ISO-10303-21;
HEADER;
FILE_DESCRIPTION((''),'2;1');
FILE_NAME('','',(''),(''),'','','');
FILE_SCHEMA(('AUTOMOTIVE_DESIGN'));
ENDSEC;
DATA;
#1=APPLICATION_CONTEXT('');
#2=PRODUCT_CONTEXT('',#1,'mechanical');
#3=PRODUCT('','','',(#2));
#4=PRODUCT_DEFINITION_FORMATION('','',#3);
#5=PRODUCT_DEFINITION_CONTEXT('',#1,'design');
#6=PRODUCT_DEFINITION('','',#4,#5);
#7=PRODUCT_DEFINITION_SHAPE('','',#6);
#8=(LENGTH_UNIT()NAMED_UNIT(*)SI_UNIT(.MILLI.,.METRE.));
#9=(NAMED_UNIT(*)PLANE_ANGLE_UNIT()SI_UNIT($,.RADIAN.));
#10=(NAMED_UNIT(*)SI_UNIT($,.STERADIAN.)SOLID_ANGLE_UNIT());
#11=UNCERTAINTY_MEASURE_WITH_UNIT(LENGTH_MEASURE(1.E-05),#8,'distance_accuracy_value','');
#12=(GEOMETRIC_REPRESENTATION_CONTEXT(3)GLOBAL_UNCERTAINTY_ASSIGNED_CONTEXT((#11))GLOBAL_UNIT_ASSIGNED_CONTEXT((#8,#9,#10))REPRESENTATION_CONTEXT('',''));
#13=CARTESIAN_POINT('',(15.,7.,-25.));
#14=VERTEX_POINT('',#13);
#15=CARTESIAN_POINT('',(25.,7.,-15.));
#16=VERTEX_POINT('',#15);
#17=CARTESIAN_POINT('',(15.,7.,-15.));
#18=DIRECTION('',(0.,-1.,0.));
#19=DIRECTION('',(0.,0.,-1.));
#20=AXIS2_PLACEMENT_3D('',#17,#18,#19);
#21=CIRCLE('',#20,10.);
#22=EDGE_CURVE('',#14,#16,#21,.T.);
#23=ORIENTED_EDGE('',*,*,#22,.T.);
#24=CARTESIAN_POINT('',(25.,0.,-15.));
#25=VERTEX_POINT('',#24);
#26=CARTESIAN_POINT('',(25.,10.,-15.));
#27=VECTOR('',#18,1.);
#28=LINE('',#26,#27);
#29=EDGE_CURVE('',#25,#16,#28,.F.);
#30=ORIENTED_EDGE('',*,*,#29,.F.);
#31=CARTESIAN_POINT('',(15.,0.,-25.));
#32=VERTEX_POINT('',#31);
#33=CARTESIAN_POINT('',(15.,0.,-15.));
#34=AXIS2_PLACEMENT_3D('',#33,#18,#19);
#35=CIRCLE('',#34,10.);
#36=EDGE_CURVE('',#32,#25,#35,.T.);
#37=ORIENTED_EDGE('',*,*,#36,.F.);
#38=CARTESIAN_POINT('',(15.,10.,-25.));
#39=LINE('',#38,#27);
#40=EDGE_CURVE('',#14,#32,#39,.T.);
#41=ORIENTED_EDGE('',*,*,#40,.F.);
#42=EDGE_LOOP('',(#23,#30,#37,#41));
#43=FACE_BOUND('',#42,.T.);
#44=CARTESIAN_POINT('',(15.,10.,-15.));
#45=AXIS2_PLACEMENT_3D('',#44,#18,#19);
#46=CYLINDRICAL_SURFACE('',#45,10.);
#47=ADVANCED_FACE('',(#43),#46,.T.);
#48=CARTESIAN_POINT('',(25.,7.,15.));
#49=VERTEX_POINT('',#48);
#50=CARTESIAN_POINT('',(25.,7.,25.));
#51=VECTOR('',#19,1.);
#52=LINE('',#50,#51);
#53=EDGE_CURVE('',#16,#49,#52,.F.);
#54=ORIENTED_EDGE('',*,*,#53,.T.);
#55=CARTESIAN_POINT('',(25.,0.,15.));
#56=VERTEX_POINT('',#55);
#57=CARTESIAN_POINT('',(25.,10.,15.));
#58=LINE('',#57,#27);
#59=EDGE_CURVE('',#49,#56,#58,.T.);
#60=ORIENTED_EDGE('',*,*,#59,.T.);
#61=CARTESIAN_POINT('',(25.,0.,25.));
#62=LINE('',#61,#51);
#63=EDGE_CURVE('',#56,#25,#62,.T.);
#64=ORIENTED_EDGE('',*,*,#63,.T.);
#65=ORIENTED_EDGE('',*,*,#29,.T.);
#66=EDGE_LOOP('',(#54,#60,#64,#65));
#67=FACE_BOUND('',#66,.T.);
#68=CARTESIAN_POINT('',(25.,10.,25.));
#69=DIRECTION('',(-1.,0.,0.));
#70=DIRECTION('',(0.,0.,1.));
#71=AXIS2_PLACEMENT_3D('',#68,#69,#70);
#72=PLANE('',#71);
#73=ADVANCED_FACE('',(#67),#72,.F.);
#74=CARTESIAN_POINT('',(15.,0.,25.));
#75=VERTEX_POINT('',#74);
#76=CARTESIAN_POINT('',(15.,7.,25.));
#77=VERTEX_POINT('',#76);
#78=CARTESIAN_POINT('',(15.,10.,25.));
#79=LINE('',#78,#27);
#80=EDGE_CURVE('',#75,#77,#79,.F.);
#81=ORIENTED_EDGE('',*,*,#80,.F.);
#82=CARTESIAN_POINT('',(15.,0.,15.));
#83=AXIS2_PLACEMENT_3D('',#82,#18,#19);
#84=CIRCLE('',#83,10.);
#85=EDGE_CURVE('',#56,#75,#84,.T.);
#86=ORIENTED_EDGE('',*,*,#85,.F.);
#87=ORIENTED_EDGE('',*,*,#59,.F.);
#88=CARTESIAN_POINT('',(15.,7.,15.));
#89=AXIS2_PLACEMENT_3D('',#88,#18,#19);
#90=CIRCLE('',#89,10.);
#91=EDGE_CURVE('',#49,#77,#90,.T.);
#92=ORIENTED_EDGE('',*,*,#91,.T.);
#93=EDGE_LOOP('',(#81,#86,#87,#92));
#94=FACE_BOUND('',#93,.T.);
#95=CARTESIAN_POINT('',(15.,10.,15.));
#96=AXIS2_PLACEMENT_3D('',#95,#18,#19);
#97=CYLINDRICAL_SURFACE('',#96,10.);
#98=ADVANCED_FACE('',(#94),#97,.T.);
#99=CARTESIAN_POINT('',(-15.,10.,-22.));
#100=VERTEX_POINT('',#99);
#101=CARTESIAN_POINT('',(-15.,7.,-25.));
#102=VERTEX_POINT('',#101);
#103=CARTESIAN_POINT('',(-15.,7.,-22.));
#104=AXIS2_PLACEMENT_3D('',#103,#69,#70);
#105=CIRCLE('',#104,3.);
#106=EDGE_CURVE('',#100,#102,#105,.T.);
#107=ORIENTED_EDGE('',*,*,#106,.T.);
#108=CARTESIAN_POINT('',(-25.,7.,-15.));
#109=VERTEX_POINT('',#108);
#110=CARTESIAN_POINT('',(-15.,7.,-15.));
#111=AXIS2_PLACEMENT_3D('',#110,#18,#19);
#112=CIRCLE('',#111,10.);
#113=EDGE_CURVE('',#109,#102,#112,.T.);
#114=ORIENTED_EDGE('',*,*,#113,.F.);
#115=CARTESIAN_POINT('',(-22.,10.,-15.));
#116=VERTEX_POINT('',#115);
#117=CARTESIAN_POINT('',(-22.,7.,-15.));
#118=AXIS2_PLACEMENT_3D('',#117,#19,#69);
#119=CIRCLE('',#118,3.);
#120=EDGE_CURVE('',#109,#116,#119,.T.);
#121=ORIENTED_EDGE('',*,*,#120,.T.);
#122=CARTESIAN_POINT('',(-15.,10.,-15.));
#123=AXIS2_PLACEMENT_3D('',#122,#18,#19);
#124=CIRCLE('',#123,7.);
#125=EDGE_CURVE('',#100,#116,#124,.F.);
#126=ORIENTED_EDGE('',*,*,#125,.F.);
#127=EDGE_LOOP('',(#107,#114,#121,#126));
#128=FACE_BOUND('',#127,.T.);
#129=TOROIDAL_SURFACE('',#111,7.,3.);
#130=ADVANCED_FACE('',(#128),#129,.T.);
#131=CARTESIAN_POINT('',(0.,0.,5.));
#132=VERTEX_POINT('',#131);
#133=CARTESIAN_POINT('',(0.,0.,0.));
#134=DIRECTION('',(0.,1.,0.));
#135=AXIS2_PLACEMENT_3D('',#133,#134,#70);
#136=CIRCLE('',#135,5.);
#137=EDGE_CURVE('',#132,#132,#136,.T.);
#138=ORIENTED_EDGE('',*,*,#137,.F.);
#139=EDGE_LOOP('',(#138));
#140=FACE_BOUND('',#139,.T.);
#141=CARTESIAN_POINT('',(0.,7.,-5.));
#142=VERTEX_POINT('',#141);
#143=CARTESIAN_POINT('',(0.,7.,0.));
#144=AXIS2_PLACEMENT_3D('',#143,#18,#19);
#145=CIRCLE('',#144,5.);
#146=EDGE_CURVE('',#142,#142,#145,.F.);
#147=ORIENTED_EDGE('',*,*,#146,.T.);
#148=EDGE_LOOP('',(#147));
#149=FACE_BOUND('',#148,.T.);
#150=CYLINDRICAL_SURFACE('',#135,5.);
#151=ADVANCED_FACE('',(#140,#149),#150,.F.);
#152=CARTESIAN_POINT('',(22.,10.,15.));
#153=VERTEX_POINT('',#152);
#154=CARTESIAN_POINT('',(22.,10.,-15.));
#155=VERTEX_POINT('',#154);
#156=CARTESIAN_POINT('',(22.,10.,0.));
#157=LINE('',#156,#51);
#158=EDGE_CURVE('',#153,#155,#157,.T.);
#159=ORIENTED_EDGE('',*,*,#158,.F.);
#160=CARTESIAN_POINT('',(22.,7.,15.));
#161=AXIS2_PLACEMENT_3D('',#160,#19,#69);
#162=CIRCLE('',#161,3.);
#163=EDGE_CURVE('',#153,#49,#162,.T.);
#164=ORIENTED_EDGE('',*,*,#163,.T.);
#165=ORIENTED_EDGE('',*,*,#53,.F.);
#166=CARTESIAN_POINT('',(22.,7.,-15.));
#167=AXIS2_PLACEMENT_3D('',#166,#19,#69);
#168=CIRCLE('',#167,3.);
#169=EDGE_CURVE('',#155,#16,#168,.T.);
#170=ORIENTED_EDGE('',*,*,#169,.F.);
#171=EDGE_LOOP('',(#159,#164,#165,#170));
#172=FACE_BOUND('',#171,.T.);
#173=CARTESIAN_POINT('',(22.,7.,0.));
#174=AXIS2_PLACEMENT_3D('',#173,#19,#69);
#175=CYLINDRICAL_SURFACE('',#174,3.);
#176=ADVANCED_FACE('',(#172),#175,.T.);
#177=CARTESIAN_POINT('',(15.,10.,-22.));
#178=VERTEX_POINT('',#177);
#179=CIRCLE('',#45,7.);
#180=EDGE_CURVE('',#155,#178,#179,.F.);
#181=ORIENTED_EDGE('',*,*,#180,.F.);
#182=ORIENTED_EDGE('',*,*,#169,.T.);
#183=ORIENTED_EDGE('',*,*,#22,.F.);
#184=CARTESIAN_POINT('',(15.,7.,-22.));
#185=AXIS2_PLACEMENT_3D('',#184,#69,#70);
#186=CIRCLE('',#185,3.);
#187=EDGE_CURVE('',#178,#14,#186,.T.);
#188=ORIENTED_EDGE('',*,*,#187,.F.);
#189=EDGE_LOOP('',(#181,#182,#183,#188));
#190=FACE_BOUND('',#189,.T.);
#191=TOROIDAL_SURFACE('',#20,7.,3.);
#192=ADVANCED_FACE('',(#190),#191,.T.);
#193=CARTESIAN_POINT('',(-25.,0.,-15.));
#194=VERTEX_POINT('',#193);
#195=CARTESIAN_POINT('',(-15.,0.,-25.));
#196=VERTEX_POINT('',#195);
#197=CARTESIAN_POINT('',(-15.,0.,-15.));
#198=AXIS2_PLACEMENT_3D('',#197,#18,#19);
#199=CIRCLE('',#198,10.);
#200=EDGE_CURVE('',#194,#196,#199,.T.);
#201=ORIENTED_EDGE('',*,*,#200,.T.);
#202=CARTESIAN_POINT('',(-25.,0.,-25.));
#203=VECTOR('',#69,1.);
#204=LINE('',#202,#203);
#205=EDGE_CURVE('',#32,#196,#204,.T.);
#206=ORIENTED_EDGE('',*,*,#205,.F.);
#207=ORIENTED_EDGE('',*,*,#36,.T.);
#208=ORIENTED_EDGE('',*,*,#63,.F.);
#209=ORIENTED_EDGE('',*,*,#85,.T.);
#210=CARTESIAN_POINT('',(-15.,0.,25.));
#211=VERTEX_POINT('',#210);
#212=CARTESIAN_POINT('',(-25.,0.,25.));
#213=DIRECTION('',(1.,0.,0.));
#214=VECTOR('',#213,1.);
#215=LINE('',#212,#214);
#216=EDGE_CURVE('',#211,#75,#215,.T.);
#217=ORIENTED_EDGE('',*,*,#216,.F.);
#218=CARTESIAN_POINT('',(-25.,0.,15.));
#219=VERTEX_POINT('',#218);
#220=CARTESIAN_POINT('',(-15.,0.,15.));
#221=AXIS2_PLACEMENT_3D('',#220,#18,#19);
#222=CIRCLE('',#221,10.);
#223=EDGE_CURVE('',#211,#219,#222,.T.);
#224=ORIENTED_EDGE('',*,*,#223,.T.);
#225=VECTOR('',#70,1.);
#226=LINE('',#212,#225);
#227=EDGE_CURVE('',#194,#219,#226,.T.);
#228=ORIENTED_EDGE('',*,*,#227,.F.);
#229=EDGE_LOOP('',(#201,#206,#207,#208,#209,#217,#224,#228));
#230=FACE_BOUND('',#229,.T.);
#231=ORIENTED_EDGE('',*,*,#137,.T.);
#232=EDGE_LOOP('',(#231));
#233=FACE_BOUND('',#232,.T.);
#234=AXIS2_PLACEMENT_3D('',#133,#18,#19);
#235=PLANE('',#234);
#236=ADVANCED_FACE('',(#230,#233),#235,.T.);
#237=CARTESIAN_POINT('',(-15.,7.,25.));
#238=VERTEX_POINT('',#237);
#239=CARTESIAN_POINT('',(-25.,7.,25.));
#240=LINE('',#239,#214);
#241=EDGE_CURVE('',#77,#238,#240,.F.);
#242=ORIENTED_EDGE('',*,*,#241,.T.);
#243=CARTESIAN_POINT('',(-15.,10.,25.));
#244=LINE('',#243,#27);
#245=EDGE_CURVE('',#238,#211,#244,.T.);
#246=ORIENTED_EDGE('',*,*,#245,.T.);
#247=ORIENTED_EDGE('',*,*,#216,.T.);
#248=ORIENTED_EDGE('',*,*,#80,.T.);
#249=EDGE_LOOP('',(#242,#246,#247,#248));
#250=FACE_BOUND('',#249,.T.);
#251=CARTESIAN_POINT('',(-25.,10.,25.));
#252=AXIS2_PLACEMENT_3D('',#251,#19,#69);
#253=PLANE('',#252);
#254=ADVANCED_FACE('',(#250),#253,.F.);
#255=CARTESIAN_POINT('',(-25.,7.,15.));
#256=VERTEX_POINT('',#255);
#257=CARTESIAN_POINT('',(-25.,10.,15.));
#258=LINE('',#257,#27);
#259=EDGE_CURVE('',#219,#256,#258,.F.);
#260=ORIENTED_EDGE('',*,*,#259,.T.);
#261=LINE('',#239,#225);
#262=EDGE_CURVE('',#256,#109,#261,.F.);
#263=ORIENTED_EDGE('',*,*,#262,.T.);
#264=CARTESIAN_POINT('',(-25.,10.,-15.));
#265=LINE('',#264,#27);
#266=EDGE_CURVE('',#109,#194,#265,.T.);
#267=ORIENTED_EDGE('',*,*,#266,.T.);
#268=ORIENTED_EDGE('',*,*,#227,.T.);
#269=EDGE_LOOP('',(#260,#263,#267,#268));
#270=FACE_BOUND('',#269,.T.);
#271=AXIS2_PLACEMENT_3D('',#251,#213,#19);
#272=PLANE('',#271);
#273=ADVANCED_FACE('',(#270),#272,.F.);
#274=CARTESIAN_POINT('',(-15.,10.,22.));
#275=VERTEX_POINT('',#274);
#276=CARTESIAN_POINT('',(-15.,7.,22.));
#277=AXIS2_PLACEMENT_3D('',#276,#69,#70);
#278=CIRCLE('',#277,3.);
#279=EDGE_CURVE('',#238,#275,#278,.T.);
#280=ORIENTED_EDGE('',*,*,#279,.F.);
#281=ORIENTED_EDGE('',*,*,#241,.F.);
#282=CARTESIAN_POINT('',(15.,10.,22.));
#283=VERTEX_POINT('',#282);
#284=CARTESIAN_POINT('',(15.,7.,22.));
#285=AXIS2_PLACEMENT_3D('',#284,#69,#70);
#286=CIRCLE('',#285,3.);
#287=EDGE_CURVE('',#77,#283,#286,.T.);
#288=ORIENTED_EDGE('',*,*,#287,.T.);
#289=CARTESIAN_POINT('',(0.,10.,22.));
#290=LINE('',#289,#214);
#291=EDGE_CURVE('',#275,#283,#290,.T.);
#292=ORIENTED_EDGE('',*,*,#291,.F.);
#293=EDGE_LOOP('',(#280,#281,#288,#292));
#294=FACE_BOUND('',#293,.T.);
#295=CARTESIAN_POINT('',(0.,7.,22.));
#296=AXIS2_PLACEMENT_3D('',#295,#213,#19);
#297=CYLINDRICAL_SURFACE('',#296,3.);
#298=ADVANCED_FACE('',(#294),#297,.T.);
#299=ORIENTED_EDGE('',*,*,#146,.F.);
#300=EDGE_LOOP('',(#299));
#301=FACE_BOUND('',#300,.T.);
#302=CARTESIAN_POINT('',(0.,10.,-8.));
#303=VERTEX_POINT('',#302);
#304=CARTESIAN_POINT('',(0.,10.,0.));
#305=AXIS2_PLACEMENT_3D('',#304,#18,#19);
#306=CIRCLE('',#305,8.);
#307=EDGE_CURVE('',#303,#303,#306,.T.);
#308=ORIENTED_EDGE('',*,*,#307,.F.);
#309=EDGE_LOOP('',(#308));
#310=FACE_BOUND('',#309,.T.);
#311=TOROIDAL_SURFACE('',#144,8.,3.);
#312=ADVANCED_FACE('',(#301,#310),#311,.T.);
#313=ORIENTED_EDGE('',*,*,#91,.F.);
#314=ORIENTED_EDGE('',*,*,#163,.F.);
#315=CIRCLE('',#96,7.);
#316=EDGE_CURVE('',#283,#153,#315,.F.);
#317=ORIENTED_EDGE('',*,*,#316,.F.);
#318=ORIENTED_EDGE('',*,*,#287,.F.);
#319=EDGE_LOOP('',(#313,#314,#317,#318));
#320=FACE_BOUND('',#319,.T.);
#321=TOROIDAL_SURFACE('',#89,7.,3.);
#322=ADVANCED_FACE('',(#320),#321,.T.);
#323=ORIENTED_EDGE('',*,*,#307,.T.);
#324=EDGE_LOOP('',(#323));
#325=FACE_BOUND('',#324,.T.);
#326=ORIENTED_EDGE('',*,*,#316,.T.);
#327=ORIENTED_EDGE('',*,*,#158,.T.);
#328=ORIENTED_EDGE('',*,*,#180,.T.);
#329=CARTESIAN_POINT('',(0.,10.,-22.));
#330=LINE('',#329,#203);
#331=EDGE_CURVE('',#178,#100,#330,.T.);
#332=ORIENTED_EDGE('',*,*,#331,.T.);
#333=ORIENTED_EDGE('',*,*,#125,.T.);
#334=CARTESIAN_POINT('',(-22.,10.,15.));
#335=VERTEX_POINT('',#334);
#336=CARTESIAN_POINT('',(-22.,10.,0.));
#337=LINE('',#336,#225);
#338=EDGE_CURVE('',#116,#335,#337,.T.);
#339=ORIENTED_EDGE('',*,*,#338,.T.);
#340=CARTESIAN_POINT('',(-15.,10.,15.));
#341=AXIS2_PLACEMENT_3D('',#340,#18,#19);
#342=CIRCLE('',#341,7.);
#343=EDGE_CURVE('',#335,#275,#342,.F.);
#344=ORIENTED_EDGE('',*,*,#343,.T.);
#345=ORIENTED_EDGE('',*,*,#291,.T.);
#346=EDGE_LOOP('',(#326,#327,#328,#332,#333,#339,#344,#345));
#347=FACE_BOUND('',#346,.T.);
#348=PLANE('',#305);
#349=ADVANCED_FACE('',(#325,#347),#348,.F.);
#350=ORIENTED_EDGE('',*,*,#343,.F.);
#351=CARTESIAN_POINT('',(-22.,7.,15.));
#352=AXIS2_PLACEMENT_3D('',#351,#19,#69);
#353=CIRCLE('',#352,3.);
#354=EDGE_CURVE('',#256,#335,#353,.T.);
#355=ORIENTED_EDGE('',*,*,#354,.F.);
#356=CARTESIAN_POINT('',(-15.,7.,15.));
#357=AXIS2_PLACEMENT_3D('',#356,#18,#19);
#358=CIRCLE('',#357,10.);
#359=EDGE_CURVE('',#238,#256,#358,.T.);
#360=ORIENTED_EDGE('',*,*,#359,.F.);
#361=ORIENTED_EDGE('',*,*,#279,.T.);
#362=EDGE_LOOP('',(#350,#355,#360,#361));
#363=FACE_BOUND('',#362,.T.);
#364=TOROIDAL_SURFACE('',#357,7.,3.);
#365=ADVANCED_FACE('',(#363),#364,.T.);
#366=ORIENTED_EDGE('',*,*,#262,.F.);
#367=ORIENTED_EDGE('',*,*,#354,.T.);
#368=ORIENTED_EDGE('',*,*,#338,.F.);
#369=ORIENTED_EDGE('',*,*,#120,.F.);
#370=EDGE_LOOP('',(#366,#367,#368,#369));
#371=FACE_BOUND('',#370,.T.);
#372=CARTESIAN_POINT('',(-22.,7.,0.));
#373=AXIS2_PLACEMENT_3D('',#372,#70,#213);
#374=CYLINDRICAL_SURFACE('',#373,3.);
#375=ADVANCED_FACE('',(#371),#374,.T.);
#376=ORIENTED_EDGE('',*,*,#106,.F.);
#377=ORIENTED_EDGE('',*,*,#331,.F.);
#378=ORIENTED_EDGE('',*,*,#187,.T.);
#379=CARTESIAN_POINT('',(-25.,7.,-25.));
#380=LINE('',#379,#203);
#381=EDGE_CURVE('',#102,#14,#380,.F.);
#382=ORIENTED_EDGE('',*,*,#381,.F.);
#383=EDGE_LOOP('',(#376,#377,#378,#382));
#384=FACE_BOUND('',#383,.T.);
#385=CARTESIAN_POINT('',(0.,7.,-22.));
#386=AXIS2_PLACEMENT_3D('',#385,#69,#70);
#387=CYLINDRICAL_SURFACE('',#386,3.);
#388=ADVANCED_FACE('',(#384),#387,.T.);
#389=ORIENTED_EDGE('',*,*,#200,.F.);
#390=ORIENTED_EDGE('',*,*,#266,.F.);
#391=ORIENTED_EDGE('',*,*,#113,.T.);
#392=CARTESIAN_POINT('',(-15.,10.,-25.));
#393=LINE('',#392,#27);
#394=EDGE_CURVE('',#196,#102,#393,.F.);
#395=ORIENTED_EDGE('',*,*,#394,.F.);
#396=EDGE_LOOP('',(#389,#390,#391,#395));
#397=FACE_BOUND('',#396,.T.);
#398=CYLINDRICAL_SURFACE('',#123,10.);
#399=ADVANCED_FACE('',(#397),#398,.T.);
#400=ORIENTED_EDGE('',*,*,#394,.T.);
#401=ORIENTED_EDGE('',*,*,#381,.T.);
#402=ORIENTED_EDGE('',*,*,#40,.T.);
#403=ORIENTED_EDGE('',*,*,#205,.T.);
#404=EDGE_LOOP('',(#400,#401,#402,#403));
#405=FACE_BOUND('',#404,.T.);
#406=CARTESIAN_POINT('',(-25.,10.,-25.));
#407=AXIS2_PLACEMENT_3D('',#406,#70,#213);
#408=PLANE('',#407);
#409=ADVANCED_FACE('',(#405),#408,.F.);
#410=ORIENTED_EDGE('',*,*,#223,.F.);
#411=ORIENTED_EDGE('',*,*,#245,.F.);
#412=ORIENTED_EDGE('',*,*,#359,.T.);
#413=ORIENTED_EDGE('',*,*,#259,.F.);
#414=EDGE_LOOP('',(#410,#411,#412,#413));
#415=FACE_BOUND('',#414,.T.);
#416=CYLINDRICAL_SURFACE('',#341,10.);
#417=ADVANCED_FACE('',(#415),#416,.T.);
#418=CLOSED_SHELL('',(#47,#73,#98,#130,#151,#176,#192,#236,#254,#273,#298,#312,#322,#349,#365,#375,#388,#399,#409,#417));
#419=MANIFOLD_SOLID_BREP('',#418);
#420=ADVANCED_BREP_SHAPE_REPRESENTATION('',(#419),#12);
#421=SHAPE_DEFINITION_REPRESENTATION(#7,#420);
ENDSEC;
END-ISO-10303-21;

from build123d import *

# Parameters (mm, degrees)
SKETCH_1_W          = 50
SKETCH_1_H          = 50
EXTRUDE_1_DEPTH     = 10
FILLET_1_R          = 10
SKETCH_2_R          = 5
CUT_EXTRUDE_1_DEPTH = 10
FILLET_2_R          = 3


with BuildPart() as part:
    # 草图1 → 凸台-拉伸1 (new body)
    with BuildSketch(Plane(origin=(0, 0, 0), x_dir=(1, 0, 0), z_dir=(0, 1, 0))):
        Rectangle(SKETCH_1_W, SKETCH_1_H)
    extrude(amount=EXTRUDE_1_DEPTH)

    # 圆角1
    fillet_1_edges = [part.edges().sort_by_distance(p)[0] for p in [
        (25, 5, 25),
        (-25, 5, 25),
        (-25, 5, -25),
        (25, 5, -25),
    ]]
    fillet(fillet_1_edges, radius=FILLET_1_R)

    # 草图2 → 切除-拉伸1 (cut)
    with BuildSketch(Plane(origin=(0, 10, 0), x_dir=(1, 0, 0), z_dir=(0, 1, 0))):
        Circle(SKETCH_2_R)
    extrude(amount=-CUT_EXTRUDE_1_DEPTH, mode=Mode.SUBTRACT)

    # 圆角2
    fillet_2_edges = [part.edges().sort_by_distance(p)[0] for p in [
        (0, 10, 25),
        (-25, 10, 0),
        (25, 10, 0),
        (0, 10, -25),
        (22.071067812, 10, 22.071067812),
        (22.071067812, 10, -22.071067812),
        (-22.071067812, 10, -22.071067812),
        (-22.071067812, 10, 22.071067812),
        (-5, 10, 0),
    ]]
    fillet(fillet_2_edges, radius=FILLET_2_R)


solid = part.part
